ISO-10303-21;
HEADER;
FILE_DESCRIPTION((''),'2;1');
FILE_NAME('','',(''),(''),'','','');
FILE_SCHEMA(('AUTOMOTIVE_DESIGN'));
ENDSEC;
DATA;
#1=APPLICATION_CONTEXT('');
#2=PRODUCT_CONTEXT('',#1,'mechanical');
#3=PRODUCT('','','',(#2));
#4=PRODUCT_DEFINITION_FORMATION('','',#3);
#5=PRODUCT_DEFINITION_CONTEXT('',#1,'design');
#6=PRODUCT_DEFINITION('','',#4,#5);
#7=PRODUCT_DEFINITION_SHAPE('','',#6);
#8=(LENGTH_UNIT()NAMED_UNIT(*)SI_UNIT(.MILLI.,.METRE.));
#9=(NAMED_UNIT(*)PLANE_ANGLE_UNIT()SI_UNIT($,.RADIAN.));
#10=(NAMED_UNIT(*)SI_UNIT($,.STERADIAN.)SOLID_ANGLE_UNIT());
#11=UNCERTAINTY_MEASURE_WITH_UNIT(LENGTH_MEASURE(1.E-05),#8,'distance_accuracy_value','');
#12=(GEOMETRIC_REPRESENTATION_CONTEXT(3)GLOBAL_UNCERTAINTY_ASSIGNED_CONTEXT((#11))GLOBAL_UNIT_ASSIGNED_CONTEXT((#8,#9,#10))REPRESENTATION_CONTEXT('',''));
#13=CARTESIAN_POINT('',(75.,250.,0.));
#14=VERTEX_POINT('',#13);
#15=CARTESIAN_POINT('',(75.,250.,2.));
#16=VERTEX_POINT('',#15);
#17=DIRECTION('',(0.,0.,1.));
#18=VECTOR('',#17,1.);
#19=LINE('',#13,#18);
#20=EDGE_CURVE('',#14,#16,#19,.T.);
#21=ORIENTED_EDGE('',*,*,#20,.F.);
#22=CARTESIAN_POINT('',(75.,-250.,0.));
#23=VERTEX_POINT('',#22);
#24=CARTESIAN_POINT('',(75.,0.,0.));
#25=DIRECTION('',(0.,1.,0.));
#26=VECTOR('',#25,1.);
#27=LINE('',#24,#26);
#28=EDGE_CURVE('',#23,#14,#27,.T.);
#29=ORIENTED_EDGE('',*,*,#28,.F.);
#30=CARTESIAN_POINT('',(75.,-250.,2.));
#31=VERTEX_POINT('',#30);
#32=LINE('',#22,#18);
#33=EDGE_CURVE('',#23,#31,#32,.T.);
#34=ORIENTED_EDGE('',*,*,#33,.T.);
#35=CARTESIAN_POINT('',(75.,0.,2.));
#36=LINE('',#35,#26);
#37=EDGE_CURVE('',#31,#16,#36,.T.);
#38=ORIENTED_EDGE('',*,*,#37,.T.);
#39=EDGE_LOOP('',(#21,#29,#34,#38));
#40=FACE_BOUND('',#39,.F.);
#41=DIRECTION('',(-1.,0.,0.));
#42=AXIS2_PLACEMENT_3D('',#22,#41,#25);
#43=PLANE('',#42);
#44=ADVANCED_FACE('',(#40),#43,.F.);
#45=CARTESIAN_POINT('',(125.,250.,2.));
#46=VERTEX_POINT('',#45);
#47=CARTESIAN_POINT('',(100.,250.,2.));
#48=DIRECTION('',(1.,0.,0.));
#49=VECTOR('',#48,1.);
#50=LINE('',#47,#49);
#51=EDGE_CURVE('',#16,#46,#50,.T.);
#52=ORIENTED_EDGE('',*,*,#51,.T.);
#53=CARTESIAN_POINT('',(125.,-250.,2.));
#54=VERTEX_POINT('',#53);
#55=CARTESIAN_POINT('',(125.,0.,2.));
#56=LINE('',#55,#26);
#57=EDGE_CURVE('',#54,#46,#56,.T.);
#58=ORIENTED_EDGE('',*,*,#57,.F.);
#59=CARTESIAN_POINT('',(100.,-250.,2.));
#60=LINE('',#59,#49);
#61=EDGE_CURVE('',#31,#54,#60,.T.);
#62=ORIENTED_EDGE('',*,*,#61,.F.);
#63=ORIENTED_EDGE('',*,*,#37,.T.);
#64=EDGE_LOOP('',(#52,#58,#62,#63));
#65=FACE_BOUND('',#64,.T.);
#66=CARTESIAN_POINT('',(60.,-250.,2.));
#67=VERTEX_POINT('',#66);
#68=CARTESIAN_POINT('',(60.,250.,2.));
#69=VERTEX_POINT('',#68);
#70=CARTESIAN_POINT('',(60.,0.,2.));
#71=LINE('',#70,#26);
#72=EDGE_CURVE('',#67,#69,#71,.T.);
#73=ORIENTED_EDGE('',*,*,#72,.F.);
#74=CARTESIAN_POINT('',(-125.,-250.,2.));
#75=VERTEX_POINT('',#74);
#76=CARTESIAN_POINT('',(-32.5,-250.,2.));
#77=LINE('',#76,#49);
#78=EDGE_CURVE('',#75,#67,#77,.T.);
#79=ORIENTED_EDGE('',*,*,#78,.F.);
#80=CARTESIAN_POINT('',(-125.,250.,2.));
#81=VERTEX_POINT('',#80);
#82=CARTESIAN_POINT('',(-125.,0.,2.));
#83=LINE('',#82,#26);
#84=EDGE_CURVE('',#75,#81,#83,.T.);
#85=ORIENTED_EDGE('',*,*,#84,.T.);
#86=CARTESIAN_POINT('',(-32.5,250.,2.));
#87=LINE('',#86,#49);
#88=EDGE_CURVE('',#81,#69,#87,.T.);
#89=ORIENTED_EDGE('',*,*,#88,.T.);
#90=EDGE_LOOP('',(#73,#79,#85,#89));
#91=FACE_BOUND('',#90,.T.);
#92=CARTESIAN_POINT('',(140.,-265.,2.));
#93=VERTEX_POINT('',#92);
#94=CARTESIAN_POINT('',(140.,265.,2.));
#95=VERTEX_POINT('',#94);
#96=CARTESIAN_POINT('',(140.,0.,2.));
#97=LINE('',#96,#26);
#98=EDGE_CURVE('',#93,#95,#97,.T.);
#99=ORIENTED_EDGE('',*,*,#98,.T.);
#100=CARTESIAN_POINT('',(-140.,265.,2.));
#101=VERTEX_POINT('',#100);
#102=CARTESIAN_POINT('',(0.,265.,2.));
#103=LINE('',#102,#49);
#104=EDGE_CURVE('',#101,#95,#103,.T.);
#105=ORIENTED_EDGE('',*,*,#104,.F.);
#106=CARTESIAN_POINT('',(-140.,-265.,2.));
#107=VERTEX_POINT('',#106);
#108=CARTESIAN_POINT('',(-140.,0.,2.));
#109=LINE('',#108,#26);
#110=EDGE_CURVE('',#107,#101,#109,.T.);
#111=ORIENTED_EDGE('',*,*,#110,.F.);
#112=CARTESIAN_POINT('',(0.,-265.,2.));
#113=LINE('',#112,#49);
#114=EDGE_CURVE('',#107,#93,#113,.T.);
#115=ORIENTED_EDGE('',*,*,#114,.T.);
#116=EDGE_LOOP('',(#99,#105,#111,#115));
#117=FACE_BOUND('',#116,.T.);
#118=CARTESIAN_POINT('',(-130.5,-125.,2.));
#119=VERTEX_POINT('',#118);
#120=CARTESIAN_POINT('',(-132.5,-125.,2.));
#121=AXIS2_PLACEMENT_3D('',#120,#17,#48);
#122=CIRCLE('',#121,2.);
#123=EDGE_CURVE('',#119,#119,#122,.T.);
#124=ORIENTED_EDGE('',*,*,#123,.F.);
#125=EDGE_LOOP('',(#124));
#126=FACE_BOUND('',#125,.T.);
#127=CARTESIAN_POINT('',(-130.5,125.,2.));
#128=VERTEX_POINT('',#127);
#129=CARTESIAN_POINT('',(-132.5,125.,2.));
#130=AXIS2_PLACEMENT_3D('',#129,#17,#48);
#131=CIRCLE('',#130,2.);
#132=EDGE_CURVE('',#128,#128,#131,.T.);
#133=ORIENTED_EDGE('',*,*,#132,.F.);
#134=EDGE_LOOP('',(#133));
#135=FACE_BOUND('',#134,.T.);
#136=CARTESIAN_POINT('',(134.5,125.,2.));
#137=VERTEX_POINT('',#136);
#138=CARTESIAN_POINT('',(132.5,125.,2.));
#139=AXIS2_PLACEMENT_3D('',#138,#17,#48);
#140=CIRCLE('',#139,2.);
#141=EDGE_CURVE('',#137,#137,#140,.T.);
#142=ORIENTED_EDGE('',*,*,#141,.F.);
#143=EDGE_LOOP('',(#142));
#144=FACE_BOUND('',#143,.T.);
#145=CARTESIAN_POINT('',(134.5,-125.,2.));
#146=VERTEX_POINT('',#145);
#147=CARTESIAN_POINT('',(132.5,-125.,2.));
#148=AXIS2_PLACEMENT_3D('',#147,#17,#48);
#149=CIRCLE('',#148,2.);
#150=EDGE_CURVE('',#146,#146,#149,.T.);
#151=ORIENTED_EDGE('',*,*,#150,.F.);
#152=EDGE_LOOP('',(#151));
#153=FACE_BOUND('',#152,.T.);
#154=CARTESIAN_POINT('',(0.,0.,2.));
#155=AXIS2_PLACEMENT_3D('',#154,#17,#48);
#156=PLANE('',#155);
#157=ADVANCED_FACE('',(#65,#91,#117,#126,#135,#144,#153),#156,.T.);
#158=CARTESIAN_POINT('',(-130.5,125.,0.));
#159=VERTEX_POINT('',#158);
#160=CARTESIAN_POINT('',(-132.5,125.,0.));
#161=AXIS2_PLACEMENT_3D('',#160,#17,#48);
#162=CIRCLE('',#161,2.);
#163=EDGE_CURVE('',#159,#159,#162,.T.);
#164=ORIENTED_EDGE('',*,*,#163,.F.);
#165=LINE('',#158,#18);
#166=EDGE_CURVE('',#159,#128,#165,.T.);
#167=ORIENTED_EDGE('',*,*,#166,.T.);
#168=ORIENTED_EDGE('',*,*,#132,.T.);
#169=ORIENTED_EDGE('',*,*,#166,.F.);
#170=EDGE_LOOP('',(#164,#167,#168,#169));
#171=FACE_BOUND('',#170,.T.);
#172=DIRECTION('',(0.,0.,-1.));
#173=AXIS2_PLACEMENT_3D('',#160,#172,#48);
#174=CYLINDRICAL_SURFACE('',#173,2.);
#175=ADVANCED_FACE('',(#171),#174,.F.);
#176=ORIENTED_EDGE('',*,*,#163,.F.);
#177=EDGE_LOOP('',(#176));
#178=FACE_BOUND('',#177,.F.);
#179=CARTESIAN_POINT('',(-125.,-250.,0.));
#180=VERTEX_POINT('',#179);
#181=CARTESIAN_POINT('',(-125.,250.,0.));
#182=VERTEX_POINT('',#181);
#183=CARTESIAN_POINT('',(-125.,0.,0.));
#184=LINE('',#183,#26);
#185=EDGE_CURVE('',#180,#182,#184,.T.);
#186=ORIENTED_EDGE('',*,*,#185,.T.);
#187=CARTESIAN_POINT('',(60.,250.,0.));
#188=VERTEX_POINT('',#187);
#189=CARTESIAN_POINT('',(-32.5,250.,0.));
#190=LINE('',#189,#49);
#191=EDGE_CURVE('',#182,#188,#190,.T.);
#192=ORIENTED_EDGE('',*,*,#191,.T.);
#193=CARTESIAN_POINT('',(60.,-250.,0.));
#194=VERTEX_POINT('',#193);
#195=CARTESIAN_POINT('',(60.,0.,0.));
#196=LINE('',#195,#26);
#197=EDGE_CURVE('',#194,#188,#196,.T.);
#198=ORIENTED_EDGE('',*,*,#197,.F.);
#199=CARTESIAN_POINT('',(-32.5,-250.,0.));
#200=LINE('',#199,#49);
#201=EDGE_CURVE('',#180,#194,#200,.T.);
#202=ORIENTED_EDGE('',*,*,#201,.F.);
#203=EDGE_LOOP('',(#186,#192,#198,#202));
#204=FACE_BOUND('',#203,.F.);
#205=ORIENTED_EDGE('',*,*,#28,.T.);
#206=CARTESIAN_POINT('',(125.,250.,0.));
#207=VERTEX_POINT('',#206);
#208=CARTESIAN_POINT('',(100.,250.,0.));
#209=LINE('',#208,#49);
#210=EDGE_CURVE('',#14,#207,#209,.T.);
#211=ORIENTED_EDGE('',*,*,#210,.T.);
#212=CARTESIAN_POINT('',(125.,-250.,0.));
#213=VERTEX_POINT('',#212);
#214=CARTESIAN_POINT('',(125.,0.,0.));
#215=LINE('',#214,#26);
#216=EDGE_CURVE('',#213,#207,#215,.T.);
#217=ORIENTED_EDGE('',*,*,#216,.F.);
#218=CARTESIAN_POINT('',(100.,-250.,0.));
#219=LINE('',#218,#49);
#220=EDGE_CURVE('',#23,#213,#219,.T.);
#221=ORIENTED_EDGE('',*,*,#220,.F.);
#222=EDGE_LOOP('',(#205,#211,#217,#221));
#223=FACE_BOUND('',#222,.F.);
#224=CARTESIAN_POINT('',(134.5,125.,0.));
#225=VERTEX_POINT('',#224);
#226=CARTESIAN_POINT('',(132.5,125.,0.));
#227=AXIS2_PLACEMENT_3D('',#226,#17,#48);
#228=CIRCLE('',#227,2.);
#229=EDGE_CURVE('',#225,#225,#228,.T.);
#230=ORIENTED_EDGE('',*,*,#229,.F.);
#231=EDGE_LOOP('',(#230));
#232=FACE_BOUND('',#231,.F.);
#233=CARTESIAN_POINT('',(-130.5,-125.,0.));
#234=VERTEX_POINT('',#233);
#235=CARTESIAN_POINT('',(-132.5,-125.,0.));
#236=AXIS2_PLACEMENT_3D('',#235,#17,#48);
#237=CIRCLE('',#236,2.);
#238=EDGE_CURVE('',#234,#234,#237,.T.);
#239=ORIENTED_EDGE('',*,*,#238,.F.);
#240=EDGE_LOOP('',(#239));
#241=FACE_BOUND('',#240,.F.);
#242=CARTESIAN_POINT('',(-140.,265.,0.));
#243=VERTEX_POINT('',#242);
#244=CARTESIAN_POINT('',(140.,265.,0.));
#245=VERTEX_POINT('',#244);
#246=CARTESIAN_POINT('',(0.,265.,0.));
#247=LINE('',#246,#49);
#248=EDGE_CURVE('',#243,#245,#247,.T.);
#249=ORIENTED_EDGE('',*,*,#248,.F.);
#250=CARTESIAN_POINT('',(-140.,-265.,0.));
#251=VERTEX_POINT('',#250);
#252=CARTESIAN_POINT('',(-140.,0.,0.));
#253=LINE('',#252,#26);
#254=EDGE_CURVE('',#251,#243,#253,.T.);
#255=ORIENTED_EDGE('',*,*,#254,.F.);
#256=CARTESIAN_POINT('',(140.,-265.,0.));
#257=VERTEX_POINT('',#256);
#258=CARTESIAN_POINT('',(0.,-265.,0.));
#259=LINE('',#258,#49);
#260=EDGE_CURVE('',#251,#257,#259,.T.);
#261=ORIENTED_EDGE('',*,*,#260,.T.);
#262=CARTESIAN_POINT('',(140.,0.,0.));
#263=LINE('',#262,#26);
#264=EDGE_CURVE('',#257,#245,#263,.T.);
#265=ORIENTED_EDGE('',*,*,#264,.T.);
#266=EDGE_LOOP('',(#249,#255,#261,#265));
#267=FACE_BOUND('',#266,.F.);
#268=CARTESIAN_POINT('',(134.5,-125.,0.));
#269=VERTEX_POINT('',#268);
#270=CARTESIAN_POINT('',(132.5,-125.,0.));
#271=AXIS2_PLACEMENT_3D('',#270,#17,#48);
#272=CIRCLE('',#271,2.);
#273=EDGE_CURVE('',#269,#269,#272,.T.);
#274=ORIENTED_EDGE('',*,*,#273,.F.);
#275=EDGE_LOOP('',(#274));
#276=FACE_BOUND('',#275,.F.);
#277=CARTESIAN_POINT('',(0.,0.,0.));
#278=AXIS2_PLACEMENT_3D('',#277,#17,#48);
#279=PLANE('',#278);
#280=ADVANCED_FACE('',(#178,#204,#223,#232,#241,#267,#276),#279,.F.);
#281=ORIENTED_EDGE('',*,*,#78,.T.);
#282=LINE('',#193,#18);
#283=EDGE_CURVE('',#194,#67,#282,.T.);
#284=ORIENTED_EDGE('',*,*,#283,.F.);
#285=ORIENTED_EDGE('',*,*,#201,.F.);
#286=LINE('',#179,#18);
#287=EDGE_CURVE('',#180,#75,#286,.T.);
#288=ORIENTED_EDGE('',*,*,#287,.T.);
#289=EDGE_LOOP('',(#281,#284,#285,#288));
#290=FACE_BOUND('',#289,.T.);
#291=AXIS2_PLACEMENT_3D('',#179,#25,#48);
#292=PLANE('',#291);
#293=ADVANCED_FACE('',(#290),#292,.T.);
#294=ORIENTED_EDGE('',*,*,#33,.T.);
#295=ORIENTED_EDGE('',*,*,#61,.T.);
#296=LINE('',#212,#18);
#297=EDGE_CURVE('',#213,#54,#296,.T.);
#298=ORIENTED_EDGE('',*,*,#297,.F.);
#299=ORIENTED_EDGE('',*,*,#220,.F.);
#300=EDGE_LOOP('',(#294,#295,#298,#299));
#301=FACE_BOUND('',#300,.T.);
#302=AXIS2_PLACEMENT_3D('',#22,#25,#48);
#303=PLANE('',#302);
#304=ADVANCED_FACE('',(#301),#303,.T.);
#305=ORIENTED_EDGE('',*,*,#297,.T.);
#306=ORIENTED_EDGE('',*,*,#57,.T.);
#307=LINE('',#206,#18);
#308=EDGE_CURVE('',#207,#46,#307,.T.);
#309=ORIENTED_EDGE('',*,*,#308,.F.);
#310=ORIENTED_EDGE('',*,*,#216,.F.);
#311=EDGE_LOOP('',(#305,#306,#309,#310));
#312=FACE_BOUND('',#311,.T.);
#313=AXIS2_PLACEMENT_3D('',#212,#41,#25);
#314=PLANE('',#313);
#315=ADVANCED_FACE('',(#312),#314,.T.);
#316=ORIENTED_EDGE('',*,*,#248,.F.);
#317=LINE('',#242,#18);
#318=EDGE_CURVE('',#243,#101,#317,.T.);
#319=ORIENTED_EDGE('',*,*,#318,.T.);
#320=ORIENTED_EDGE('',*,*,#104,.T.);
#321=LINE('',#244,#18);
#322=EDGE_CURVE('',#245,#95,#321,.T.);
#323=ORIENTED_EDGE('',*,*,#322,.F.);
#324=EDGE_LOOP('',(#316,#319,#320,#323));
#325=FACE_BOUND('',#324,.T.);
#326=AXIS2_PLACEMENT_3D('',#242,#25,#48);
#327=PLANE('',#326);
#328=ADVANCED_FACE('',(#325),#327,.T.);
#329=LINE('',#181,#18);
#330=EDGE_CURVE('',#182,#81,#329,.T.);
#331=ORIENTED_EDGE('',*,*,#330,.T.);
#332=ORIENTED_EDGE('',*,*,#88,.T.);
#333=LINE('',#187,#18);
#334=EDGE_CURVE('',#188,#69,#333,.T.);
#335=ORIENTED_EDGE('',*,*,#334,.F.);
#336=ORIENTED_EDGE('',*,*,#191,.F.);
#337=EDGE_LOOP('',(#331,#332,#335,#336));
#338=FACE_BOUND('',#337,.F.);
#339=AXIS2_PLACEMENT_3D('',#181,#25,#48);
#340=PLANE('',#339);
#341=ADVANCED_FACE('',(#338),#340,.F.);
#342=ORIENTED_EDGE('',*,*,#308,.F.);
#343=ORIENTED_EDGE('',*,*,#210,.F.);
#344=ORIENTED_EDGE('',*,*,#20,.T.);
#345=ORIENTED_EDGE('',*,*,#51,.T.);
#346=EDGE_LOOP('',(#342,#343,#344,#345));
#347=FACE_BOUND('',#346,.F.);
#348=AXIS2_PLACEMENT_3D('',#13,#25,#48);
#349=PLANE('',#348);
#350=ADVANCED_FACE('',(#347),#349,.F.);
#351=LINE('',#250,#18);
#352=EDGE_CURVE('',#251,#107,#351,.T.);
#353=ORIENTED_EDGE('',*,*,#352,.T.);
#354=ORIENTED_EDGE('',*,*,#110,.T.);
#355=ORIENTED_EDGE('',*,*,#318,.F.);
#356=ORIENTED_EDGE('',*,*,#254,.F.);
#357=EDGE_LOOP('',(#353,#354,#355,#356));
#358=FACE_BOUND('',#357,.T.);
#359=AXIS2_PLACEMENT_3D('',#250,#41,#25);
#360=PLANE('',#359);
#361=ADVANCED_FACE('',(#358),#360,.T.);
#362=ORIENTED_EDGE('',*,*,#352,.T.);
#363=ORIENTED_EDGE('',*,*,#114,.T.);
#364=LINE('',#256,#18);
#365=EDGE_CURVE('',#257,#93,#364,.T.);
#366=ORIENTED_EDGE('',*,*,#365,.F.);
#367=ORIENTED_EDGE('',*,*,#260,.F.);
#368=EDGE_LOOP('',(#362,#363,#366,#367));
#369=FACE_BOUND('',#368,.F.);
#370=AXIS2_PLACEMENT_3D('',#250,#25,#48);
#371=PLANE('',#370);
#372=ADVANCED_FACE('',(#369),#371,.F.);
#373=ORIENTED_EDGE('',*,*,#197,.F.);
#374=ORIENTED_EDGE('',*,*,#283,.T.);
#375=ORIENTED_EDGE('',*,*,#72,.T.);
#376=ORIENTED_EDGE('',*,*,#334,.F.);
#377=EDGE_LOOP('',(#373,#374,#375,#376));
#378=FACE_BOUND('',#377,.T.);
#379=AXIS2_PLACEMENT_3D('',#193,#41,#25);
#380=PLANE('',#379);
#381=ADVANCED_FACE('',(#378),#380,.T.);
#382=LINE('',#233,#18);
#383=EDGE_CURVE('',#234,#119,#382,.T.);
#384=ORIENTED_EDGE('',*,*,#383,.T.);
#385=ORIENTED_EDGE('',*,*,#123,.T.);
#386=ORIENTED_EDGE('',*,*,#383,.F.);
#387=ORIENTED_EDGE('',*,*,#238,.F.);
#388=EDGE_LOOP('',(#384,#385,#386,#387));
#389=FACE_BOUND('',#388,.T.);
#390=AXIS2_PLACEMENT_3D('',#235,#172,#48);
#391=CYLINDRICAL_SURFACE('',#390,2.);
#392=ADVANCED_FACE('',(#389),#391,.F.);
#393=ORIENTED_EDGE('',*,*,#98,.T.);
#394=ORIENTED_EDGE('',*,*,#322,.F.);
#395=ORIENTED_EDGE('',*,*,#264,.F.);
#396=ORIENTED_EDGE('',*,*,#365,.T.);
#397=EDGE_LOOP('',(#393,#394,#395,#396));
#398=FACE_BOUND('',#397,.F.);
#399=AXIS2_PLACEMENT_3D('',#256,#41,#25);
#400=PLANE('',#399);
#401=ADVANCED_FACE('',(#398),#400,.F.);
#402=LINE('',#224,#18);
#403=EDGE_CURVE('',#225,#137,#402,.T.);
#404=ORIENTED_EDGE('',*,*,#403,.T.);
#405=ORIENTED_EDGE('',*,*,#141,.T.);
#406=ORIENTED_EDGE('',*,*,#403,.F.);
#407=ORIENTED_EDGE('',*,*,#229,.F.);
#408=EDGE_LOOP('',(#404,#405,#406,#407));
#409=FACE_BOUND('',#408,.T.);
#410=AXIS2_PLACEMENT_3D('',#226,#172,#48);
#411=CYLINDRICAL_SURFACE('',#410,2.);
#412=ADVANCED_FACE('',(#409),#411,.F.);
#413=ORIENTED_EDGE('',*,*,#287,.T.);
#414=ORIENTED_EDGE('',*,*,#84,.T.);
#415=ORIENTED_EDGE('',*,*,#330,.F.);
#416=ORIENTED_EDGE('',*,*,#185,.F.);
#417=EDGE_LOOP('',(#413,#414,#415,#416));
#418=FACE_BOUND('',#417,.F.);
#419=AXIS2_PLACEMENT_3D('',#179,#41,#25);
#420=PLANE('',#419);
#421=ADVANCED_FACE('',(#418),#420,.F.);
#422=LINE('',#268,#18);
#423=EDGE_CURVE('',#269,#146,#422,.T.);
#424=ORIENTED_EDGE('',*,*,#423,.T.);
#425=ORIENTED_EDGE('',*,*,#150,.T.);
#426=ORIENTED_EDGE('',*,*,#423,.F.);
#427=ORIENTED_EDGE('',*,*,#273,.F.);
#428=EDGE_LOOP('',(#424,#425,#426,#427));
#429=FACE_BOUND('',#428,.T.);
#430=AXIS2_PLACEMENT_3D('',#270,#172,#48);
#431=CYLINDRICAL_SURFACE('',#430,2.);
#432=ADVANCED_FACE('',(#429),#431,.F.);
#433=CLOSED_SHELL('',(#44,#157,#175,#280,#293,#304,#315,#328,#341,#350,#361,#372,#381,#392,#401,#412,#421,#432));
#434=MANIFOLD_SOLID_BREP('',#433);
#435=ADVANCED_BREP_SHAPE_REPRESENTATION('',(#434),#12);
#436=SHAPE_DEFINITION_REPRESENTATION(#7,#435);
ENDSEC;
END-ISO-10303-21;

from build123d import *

# Parameters (mm, degrees)
SKETCH_W   = 280
SKETCH_H   = 530
SKETCH_R   = 2
SKETCH_W_2 = 185
SKETCH_H_2 = 500
SKETCH_W_3 = 50
PAD_DEPTH  = 2


with BuildPart() as part:
    # Sketch → Pad (new body)
    with BuildSketch(Plane.XY):
        Rectangle(SKETCH_W, SKETCH_H)
        with Locations((-132.5, 125)):
            Circle(SKETCH_R, mode=Mode.SUBTRACT)
        with Locations((-132.5, -125)):
            Circle(SKETCH_R, mode=Mode.SUBTRACT)
        with Locations((132.5, -125)):
            Circle(SKETCH_R, mode=Mode.SUBTRACT)
        with Locations((132.5, 125)):
            Circle(SKETCH_R, mode=Mode.SUBTRACT)
        with Locations((-32.5, 0)):
            Rectangle(SKETCH_W_2, SKETCH_H_2, mode=Mode.SUBTRACT)
        with Locations((100, 0)):
            Rectangle(SKETCH_W_3, SKETCH_H_2, mode=Mode.SUBTRACT)
    extrude(amount=PAD_DEPTH)


solid = part.part
